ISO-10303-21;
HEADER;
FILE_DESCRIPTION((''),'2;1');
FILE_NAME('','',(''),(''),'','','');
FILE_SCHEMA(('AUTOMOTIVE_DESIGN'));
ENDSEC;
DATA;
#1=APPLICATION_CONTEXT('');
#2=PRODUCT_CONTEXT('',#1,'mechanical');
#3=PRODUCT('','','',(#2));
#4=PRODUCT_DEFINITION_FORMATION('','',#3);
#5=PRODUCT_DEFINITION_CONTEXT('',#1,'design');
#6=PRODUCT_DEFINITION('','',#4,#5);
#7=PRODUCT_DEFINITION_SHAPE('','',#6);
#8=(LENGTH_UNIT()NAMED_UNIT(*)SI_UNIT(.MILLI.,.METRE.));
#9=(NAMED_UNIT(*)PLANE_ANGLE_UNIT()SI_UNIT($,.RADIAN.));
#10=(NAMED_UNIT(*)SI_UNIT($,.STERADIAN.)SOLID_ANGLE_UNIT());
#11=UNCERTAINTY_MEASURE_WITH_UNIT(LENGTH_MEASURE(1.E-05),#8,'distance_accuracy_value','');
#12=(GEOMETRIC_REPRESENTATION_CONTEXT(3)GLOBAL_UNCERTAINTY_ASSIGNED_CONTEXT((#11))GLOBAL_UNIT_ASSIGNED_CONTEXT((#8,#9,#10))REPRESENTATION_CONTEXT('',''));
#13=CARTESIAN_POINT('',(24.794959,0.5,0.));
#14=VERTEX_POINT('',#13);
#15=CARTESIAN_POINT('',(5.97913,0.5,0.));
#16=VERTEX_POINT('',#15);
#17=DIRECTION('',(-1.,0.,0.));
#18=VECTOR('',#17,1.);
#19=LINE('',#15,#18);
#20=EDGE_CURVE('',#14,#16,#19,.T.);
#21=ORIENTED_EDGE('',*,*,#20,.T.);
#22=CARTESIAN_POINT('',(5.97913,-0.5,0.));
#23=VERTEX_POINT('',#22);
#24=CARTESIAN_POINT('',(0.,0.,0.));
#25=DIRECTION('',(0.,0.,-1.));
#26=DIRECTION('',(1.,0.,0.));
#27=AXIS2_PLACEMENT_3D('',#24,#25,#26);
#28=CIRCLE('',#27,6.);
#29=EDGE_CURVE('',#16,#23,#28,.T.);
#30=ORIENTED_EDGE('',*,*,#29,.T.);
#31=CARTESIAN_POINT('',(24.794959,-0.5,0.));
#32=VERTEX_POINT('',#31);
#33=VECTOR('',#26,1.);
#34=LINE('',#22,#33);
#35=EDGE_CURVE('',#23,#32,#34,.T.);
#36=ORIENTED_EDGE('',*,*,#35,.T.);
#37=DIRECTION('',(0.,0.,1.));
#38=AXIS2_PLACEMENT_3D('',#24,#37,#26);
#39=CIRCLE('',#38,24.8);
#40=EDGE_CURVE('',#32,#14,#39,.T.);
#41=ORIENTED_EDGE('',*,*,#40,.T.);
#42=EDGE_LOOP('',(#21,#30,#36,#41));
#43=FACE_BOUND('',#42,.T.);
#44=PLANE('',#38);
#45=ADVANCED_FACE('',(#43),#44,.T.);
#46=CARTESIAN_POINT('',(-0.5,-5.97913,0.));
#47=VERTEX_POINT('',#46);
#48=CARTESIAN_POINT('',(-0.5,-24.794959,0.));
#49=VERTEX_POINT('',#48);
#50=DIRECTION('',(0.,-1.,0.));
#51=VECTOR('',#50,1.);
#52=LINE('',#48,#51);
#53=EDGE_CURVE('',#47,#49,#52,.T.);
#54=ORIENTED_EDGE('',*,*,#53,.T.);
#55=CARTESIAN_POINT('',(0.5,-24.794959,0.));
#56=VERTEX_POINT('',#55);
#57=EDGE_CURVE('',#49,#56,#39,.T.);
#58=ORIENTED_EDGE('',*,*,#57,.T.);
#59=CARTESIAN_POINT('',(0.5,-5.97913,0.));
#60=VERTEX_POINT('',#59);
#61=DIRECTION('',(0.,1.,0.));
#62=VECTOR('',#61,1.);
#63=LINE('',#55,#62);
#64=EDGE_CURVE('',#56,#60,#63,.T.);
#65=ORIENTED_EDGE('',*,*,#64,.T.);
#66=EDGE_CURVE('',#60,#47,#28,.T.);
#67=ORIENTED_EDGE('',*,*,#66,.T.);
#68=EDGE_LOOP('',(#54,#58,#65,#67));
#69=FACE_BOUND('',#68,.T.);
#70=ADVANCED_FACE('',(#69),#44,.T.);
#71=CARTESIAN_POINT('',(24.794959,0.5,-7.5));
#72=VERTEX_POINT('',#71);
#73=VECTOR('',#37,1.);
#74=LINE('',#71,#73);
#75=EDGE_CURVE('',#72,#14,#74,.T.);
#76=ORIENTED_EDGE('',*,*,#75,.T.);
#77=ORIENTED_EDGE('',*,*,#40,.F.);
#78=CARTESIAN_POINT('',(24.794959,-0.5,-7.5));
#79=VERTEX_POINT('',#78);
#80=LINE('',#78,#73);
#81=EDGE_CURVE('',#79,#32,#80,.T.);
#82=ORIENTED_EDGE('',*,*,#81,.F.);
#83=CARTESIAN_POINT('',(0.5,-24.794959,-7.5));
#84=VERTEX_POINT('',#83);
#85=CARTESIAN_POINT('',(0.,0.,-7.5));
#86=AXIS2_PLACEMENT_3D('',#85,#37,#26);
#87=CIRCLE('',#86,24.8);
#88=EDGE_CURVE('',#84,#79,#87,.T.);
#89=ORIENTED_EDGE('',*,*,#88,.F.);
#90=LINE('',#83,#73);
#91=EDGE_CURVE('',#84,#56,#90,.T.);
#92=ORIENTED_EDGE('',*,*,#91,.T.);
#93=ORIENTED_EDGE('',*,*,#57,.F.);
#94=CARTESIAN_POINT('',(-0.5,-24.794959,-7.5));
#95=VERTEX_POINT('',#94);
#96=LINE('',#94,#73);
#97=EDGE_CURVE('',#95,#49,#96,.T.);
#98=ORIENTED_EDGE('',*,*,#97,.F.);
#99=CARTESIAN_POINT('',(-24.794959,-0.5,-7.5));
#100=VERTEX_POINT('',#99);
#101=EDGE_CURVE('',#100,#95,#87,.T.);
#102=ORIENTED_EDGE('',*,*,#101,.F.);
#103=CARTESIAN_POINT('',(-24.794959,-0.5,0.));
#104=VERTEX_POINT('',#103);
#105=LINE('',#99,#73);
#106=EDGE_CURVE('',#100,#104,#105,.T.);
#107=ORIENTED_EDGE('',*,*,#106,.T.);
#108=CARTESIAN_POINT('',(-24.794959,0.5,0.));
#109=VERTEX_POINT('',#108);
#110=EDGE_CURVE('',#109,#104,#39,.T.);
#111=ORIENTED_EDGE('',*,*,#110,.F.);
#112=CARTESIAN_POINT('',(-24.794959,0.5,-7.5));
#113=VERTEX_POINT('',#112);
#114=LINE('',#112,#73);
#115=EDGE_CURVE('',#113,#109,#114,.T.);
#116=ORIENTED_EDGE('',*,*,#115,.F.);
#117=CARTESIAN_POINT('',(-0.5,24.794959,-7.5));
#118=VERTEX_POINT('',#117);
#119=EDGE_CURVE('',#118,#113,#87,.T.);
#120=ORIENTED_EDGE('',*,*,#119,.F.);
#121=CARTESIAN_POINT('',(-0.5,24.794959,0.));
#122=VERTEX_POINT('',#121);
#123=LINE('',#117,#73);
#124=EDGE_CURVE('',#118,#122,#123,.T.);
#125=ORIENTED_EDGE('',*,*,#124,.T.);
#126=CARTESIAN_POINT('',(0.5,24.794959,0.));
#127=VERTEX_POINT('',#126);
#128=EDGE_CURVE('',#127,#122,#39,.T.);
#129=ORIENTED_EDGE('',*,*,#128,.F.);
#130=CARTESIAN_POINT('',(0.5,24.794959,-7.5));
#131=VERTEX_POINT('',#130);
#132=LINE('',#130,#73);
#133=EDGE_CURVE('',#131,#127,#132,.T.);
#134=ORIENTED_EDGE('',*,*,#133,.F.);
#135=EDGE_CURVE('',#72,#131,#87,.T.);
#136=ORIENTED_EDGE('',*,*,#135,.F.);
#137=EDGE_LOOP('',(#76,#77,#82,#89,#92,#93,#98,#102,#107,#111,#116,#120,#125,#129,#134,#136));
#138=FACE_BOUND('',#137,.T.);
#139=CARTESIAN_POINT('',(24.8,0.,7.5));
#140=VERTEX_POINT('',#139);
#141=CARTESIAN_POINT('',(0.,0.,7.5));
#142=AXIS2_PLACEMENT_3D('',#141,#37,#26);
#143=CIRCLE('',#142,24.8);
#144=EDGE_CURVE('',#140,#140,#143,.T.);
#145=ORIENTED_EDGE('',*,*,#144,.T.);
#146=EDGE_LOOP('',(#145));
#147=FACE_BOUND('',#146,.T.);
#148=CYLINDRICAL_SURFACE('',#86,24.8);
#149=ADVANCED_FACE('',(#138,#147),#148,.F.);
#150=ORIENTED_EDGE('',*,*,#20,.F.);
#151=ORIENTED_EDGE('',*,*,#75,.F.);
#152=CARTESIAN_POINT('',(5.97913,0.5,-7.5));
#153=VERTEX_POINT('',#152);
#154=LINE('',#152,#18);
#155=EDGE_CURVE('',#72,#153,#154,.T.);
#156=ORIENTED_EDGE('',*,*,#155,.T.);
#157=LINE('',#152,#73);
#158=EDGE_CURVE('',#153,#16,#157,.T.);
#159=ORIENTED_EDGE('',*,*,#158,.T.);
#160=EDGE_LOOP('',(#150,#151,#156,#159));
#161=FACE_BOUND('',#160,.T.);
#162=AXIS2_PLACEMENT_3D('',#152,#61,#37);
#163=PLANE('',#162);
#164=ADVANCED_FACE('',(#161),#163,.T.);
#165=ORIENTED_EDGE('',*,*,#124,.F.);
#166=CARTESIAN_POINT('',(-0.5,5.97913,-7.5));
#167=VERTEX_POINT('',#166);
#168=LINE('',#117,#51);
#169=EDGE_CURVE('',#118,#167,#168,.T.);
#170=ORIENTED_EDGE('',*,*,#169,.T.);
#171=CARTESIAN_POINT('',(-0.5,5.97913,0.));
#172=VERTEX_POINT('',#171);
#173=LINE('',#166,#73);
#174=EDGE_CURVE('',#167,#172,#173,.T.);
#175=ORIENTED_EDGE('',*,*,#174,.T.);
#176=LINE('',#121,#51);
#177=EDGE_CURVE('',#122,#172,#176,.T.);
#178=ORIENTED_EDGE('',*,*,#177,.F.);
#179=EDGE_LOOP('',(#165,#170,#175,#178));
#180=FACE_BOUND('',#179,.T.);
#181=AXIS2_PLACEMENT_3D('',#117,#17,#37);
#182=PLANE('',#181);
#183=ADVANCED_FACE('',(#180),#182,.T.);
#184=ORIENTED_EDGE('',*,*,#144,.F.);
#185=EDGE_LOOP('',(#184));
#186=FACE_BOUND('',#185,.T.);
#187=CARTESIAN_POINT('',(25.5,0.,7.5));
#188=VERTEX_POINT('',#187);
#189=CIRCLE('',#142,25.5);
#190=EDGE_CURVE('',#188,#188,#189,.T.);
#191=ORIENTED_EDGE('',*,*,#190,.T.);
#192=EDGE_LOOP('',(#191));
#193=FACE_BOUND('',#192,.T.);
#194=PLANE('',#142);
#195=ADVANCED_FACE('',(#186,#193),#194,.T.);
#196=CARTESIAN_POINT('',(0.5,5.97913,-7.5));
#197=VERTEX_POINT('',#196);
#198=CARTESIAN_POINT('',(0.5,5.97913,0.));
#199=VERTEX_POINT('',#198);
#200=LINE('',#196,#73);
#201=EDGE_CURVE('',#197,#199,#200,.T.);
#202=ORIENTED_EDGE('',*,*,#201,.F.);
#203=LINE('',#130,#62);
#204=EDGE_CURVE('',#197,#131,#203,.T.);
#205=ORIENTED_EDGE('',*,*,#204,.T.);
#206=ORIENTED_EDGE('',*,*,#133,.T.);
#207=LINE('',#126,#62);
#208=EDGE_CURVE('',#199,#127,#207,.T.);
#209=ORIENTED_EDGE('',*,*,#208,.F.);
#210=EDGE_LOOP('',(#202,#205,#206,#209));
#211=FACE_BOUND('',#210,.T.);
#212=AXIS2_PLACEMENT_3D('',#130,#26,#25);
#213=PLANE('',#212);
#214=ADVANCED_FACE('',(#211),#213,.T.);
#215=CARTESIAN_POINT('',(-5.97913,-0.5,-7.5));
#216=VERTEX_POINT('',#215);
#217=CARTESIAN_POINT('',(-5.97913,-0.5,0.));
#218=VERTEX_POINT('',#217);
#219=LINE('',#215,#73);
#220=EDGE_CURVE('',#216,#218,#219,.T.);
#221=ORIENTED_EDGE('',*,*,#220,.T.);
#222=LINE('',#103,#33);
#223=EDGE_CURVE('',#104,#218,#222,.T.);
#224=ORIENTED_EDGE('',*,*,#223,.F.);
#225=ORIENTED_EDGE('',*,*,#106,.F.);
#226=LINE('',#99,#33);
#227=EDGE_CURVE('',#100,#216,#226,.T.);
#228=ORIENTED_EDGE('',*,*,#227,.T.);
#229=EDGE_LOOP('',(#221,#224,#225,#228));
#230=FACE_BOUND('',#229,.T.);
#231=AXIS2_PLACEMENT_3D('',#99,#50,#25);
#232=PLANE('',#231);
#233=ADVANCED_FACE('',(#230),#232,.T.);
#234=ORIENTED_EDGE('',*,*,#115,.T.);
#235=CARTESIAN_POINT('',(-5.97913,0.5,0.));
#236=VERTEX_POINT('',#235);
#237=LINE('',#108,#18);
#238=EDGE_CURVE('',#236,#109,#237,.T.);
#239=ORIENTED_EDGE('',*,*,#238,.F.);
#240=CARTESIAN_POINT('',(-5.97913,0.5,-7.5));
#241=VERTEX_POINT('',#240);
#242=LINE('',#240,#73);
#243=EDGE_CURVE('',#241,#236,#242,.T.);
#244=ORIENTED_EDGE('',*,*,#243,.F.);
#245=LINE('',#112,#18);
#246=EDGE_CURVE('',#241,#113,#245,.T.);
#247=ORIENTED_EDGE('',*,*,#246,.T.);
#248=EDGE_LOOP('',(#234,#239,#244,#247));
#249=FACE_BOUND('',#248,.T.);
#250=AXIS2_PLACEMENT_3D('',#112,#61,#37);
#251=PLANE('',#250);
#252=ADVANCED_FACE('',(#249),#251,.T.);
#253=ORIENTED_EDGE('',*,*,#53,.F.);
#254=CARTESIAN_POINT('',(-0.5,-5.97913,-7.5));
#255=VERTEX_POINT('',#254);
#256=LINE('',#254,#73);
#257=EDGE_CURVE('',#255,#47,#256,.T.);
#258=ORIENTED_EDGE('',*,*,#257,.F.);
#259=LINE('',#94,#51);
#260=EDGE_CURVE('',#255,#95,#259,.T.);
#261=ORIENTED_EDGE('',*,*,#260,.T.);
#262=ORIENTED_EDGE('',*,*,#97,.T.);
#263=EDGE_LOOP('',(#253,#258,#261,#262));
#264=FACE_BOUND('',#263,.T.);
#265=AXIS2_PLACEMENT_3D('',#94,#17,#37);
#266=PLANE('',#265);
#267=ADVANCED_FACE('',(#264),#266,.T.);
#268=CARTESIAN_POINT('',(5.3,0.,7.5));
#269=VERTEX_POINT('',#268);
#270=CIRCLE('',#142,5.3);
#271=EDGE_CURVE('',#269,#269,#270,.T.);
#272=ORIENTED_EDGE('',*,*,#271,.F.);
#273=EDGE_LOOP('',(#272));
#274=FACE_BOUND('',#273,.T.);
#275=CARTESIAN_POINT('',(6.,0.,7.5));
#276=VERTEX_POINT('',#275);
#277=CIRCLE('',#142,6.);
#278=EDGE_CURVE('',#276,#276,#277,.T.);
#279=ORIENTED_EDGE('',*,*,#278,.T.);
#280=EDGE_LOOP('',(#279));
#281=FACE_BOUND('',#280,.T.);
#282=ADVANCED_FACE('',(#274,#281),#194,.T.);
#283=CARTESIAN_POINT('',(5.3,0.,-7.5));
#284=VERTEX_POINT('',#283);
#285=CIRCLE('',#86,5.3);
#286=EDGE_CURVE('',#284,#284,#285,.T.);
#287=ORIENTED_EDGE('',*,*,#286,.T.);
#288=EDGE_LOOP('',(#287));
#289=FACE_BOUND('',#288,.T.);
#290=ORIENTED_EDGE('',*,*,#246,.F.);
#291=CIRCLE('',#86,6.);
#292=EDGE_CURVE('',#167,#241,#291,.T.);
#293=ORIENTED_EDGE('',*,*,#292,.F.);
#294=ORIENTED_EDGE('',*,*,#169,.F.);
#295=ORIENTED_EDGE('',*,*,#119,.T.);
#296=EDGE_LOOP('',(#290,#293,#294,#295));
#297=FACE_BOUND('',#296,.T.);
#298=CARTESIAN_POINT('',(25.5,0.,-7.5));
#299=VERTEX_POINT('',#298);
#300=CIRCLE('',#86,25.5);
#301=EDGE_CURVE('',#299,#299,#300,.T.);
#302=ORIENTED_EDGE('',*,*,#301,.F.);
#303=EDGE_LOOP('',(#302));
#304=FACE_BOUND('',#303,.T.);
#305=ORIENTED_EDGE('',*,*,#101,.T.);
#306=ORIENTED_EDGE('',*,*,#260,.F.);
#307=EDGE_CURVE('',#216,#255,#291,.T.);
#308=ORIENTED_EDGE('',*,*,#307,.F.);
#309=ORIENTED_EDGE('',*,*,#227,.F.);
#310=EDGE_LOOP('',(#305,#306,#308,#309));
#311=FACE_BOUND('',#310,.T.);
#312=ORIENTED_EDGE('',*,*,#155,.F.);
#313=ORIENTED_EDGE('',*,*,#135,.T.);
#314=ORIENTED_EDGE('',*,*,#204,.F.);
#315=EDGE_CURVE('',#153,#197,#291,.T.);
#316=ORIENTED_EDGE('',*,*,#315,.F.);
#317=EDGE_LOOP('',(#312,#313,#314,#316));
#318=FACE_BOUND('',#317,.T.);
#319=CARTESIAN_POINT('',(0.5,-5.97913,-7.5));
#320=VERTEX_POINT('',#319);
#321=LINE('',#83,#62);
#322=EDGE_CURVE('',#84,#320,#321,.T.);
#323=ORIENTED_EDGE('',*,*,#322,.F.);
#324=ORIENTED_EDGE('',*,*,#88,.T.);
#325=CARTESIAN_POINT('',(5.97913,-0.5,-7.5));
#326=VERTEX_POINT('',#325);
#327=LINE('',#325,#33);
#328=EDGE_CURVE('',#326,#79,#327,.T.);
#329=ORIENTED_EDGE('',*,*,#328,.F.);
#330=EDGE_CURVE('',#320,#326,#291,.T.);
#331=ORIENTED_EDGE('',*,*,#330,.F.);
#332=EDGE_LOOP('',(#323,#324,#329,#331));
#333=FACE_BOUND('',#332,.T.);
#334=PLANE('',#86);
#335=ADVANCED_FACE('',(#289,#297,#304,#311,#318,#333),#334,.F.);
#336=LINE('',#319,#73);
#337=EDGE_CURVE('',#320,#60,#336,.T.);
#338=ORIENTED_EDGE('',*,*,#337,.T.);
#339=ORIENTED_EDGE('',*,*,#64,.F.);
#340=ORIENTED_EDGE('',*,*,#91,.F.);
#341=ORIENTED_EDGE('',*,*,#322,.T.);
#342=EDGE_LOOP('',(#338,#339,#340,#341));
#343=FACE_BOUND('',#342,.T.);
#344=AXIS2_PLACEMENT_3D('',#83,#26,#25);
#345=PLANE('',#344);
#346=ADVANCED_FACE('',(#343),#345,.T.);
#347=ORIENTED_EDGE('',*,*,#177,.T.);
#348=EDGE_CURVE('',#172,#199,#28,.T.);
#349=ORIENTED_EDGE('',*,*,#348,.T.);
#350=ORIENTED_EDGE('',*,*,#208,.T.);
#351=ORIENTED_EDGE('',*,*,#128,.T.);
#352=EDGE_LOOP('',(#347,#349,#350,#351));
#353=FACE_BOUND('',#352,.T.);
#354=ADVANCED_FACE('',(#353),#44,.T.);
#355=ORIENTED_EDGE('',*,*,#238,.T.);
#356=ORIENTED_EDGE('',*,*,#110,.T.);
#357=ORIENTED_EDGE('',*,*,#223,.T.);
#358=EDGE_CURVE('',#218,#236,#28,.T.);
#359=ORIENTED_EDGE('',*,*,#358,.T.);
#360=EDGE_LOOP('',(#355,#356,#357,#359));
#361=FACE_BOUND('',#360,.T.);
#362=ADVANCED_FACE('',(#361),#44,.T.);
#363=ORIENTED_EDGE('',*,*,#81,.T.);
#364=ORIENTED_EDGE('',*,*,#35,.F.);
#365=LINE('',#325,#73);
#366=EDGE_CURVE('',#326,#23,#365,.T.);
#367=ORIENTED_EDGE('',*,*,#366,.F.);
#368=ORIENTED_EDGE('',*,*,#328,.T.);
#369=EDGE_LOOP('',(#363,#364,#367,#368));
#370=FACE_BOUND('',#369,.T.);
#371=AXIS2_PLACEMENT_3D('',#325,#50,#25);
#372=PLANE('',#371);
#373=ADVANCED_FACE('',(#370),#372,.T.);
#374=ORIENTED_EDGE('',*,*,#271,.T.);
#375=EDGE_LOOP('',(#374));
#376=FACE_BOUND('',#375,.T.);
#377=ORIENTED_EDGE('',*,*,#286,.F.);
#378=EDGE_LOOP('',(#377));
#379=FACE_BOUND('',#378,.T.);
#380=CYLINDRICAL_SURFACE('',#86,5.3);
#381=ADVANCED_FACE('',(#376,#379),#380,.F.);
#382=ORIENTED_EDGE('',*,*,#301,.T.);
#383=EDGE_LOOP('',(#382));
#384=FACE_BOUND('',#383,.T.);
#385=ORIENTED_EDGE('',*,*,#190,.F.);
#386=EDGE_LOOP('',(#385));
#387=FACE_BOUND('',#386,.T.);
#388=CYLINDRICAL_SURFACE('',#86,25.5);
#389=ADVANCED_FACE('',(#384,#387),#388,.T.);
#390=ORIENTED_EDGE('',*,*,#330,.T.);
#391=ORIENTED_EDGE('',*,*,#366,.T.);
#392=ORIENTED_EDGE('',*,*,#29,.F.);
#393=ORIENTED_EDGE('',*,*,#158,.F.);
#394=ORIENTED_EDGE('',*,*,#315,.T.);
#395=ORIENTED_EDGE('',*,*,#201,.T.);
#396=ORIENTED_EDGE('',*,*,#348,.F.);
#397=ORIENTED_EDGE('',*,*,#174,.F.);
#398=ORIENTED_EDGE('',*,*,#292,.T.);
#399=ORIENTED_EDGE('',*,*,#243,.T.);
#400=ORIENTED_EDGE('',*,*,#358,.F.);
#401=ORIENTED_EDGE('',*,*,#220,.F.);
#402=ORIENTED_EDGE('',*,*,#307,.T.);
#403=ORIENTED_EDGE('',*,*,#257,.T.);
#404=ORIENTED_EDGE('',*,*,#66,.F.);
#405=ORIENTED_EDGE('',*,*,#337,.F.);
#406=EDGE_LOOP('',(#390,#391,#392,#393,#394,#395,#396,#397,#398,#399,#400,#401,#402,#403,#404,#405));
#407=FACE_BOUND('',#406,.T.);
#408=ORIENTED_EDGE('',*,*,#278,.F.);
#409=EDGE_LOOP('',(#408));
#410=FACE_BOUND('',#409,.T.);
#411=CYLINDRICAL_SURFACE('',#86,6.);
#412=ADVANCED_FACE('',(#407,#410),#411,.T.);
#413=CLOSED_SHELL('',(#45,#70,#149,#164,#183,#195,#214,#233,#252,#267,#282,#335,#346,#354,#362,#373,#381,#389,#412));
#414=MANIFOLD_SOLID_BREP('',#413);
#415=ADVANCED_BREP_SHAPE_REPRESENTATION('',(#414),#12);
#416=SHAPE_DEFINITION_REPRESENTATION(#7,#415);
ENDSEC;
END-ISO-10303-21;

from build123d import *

# Parameters (mm, degrees)
SKETCH1_R                  = 25.5
SKETCH1_R_2                = 24.8
EXTRUDE_THIN1_DEPTH        = 7.5
EXTRUDE_THIN1_DEPTH_BACK   = 7.5
SKETCH1_R_3                = 6
SKETCH1_R_4                = 5.3
EXTRUDE_THIN1_2_DEPTH      = 7.5
EXTRUDE_THIN1_2_DEPTH_BACK = 7.5
EXTRUDE1_DEPTH             = 7.5


with BuildPart() as part:
    # Sketch1 → Extrude-Thin1 (new body, two sides)
    with BuildSketch(Plane.XY) as extrude_thin1_sk:
        Circle(SKETCH1_R)
        Circle(SKETCH1_R_2, mode=Mode.SUBTRACT)
    extrude(amount=EXTRUDE_THIN1_DEPTH)
    extrude(extrude_thin1_sk.sketch, amount=-EXTRUDE_THIN1_DEPTH_BACK)



with BuildPart() as body_2:
    # Sketch1 → Extrude-Thin1 2 (new body, two sides)
    with BuildSketch(Plane.XY) as extrude_thin1_2_sk:
        Circle(SKETCH1_R_3)
        Circle(SKETCH1_R_4, mode=Mode.SUBTRACT)
    extrude(amount=EXTRUDE_THIN1_2_DEPTH)
    extrude(extrude_thin1_2_sk.sketch, amount=-EXTRUDE_THIN1_2_DEPTH_BACK)


with BuildPart() as part_1:
    add(part.part)

    add(body_2.part)  # Extrude1 merges body 2
    # Sketch2 → Extrude1 (add)
    with BuildSketch(Plane.XY):
        with BuildLine():
            Line((-0.5, 24.794959165), (-0.5, 5.979130372))
            ThreePointArc((-0.5, 5.979130372), (0, 6), (0.5, 5.979130372))
            Line((0.5, 5.979130372), (0.5, 24.794959165))
            ThreePointArc((0.5, 24.794959165), (0, 24.8), (-0.5, 24.794959165))
        make_face()
        with BuildLine():
            Line((-24.794959165, 0.5), (-5.979130372, 0.5))
            ThreePointArc((-5.979130372, 0.5), (-6, 0), (-5.979130372, -0.5))
            Line((-5.979130372, -0.5), (-24.794959165, -0.5))
            ThreePointArc((-24.794959165, -0.5), (-24.8, 0), (-24.794959165, 0.5))
        make_face()
        with BuildLine():
            Line((-0.5, -24.794959165), (-0.5, -5.979130372))
            ThreePointArc((-0.5, -5.979130372), (0, -6), (0.5, -5.979130372))
            Line((0.5, -5.979130372), (0.5, -24.794959165))
            ThreePointArc((0.5, -24.794959165), (0, -24.8), (-0.5, -24.794959165))
        make_face()
        with BuildLine():
            Line((5.979130372, 0.5), (24.794959165, 0.5))
            ThreePointArc((24.794959165, 0.5), (24.8, 0), (24.794959165, -0.5))
            Line((24.794959165, -0.5), (5.979130372, -0.5))
            ThreePointArc((5.979130372, -0.5), (6, 0), (5.979130372, 0.5))
        make_face()
    extrude(amount=-EXTRUDE1_DEPTH)


solid = part_1.part
